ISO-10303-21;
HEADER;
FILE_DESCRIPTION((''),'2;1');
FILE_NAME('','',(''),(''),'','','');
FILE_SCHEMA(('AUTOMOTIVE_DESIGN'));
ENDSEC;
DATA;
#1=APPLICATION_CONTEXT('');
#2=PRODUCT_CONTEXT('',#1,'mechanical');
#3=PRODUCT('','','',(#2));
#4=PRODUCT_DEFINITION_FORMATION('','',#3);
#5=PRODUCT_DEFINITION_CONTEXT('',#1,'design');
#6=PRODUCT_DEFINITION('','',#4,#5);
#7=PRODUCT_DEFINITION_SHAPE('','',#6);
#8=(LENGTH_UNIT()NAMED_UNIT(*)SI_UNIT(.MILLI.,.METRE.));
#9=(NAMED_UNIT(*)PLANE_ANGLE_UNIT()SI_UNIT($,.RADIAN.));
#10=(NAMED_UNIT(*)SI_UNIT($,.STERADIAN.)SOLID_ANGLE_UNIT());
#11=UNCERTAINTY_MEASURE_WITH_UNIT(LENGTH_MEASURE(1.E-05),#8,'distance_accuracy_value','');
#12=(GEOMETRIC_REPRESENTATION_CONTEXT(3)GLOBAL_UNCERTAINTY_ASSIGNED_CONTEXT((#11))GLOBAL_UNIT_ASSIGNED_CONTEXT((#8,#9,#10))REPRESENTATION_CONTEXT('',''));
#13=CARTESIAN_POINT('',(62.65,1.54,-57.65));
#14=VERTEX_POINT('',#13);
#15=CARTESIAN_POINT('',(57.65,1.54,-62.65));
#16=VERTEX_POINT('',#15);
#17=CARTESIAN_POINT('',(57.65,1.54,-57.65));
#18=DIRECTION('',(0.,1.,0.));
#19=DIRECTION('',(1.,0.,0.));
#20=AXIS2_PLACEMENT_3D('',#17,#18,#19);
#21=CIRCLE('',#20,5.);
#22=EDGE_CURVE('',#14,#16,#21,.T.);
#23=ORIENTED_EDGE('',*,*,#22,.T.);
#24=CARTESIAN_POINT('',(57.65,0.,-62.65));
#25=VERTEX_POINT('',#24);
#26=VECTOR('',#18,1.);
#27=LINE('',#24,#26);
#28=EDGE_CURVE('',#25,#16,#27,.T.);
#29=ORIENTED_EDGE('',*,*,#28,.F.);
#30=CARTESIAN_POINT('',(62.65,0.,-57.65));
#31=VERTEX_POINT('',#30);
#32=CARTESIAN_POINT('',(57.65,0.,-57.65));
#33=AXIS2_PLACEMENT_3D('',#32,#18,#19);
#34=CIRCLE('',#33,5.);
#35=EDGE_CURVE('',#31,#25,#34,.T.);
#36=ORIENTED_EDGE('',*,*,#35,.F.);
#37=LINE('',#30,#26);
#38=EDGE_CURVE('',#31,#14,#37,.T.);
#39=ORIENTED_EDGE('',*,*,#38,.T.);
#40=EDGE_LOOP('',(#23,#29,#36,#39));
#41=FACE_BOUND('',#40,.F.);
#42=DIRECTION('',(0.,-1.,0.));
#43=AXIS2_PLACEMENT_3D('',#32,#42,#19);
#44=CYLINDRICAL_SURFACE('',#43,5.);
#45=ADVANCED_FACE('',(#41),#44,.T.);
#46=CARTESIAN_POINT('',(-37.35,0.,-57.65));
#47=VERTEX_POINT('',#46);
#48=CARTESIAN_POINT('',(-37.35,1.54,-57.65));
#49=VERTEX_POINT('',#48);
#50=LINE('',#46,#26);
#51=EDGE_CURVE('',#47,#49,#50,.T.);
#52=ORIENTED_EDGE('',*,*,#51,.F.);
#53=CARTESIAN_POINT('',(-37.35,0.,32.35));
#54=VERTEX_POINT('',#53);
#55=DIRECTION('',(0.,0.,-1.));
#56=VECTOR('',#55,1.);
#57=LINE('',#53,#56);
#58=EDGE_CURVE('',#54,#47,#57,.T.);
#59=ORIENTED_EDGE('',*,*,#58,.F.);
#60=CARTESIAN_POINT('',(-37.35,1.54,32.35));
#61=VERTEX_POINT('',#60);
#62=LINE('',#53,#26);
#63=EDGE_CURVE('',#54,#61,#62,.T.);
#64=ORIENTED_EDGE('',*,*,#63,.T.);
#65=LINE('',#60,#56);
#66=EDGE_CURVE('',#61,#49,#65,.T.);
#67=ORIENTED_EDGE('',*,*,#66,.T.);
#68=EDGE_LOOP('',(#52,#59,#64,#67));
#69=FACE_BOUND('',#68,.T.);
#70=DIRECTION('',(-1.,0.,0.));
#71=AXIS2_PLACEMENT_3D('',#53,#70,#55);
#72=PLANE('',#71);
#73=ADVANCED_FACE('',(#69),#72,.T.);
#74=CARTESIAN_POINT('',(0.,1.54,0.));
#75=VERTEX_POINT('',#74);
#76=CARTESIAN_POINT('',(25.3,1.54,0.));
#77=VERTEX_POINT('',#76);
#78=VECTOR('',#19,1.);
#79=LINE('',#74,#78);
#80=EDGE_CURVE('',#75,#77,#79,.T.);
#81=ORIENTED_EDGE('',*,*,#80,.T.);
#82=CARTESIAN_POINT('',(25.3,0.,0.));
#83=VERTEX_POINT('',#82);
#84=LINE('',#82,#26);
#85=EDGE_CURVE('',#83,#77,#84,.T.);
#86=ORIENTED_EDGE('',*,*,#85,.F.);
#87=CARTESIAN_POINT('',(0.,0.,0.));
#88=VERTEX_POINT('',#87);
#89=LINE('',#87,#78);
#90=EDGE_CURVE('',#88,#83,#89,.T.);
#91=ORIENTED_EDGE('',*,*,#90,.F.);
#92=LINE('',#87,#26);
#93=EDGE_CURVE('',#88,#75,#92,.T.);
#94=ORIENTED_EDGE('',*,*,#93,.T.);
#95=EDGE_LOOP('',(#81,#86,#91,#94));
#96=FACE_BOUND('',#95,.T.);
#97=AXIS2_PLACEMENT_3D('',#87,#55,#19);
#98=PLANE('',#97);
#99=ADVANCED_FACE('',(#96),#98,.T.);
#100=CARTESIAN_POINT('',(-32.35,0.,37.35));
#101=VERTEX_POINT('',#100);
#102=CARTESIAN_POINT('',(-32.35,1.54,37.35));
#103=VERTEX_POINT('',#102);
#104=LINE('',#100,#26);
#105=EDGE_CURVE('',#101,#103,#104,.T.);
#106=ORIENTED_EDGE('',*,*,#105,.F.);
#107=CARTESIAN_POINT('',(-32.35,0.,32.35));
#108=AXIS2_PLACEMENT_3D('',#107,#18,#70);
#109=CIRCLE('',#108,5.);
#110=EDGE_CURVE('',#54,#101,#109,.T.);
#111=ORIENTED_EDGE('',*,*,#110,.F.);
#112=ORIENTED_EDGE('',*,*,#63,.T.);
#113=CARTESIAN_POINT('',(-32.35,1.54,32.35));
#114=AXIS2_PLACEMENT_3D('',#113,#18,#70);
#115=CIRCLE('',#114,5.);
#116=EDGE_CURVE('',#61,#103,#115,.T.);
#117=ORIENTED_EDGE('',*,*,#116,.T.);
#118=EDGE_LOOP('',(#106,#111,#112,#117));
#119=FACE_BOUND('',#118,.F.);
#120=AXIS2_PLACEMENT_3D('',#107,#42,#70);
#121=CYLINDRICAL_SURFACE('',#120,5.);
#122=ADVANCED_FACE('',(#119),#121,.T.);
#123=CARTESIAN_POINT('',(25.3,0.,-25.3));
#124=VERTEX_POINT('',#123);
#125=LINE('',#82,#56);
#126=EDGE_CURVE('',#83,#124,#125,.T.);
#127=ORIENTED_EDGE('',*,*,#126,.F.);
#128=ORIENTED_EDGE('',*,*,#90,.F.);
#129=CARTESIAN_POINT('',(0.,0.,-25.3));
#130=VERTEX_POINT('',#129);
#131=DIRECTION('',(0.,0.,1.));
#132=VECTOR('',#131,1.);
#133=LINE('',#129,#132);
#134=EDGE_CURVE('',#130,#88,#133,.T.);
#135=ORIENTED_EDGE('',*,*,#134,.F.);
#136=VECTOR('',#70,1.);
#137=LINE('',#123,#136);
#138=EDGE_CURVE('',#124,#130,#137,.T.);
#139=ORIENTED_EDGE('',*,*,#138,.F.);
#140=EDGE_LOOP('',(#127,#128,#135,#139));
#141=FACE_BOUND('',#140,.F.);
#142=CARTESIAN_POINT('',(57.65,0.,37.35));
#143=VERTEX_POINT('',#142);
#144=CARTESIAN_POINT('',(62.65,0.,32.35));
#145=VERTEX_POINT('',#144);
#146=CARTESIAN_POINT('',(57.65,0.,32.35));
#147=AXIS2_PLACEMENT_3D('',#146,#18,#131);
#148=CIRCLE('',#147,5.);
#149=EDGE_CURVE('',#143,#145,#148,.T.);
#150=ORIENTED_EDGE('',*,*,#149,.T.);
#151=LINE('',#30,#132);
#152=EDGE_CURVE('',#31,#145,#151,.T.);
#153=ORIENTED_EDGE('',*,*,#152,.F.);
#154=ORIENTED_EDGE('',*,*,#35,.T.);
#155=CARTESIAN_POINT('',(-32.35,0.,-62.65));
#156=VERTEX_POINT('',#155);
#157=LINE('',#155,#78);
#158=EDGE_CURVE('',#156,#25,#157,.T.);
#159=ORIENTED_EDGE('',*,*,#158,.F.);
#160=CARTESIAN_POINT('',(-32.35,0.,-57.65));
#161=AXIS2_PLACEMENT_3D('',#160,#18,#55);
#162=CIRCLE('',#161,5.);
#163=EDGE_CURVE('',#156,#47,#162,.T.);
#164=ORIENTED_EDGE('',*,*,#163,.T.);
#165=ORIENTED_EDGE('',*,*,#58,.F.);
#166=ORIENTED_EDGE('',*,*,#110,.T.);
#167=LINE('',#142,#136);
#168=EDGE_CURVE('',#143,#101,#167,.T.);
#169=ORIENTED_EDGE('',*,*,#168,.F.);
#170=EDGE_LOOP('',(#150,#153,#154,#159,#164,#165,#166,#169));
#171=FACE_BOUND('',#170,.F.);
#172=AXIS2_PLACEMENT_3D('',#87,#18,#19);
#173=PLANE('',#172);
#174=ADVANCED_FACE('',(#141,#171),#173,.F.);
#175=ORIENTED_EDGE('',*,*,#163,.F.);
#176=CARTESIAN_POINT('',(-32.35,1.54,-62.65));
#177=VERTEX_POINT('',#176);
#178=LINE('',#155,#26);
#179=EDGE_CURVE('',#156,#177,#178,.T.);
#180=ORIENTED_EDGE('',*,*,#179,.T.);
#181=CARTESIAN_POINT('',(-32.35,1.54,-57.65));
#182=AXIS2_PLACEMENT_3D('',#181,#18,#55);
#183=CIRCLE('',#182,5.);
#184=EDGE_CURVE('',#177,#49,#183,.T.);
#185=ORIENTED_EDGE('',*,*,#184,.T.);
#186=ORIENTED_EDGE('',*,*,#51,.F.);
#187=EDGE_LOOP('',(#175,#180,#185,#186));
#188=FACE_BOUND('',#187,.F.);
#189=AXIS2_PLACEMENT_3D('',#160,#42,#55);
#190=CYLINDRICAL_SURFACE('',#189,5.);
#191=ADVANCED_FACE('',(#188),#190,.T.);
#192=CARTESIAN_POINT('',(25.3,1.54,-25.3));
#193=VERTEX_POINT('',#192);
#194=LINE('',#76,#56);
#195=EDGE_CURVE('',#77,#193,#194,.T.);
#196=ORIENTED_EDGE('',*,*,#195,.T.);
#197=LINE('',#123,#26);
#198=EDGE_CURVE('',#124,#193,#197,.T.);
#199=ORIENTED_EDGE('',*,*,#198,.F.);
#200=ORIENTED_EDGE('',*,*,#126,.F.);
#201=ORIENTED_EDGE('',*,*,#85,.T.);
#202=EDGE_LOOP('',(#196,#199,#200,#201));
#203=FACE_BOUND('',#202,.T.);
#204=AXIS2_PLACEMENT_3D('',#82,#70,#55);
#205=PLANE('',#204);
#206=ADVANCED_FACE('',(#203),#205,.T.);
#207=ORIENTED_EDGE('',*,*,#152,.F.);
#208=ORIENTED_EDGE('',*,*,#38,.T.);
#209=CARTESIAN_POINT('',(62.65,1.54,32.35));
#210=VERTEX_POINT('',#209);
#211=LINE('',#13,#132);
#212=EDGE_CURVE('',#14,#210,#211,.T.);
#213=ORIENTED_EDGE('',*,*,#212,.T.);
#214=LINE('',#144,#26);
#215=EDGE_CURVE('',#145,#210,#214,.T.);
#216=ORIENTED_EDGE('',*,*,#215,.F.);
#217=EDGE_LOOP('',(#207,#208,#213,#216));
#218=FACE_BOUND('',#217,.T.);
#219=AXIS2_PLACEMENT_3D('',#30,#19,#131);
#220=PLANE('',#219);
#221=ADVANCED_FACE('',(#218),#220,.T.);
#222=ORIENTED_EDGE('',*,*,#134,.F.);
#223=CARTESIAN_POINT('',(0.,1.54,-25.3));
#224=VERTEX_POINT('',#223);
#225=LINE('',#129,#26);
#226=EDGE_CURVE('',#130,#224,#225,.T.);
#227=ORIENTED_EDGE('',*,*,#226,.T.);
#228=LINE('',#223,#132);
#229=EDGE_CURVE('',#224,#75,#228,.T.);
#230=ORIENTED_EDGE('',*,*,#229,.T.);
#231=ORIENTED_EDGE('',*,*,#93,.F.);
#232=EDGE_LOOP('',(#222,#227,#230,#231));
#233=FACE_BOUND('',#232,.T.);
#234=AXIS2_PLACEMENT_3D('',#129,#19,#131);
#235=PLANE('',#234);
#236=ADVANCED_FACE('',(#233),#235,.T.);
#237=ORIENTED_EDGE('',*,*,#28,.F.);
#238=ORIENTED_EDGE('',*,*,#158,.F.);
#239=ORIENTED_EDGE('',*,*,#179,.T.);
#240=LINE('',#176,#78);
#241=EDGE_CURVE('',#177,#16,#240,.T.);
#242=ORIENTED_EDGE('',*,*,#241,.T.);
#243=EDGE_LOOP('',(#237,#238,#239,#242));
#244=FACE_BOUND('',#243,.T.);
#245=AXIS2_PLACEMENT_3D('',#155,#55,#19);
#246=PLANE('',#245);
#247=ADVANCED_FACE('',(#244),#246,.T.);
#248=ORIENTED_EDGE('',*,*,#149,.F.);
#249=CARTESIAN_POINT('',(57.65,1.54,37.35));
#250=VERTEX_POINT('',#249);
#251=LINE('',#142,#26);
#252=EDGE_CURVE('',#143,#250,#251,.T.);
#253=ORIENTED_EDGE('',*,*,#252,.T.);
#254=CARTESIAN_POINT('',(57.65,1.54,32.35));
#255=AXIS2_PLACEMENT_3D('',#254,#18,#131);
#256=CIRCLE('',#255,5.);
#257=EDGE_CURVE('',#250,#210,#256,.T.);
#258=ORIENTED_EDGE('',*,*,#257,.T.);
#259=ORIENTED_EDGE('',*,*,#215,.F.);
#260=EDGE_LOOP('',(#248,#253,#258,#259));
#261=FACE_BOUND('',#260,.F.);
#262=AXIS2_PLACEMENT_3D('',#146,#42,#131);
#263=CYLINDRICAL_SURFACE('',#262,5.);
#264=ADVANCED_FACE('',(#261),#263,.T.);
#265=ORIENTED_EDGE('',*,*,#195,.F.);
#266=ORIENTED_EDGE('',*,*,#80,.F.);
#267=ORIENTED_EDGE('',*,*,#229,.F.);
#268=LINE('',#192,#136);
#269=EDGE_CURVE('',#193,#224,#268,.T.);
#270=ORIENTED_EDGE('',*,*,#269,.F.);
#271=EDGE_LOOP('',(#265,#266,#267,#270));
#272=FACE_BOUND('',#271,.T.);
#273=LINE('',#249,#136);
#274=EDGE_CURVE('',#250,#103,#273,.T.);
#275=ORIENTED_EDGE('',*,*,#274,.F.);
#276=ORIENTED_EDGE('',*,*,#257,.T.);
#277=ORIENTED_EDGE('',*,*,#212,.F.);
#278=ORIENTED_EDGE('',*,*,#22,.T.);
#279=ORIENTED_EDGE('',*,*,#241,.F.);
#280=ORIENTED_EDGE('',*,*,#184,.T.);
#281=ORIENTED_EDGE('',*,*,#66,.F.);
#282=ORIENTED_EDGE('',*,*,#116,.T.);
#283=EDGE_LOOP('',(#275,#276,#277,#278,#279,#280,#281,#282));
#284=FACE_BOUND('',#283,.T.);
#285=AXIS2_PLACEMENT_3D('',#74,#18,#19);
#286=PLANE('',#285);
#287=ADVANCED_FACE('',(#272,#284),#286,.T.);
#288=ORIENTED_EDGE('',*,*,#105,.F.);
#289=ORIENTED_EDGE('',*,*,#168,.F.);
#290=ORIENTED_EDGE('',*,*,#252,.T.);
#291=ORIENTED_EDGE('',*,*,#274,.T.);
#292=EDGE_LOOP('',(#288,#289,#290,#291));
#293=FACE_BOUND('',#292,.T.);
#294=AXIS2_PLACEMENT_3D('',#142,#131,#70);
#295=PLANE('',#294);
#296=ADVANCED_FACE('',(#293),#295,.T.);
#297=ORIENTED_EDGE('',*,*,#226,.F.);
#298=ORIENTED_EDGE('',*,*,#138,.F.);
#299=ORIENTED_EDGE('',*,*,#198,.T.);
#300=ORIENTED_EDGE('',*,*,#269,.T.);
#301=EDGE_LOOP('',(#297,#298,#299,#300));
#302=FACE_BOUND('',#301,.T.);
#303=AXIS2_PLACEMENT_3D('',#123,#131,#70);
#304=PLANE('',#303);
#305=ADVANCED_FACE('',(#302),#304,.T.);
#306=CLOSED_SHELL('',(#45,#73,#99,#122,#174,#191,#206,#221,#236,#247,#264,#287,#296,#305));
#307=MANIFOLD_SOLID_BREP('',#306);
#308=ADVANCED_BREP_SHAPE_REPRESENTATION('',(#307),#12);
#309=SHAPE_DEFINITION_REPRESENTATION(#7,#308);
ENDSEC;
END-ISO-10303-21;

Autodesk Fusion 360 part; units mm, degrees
sketch "Sketch1" plane through (0, 0, 0) normal (0, 1, 0) x (1, 0, 0)
  line L0 (0, 0) -> (25.3, 0)
  line L1 (25.3, 0) -> (25.3, 25.3)
  line L2 (25.3, 25.3) -> (0, 25.3)
  line L3 (0, 25.3) -> (0, 0)
  line L4 (-32.35, 62.65) -> (57.65, 62.65)
  line L5 (62.65, 57.65) -> (62.65, -32.35)
  line L6 (57.65, -37.35) -> (-32.35, -37.35)
  line L7 (-37.35, -32.35) -> (-37.35, 57.65)
  arc A0 (-32.35, 62.65) -> (-37.35, 57.65) centre (-32.35, 57.65) ccw
  arc A1 (62.65, 57.65) -> (57.65, 62.65) centre (57.65, 57.65) ccw
  arc A2 (57.65, -37.35) -> (62.65, -32.35) centre (57.65, -32.35) ccw
  arc A3 (-37.35, -32.35) -> (-32.35, -37.35) centre (-32.35, -32.35) ccw
  point P0 (-37.35, 62.65)
  point P1 (62.65, 62.65)
  point P2 (62.65, -37.35)
  dimension "d1" = 25.3
  dimension "d2" = 25.3
  dimension "d3" = 100
  dimension "d4" = 100
  dimension "d5" = 37.35
  dimension "d6" = 37.35
  dimension "d7" = 5
  dimension "d8" = 5
extrude "Extrude1" add sketch "Sketch1" along normal blind 1.54
equation "d5 = ( ( 100 - 25.3 ) / 2 ) * 1 mm"
equation "d6 = ( ( 100 - 25.3 ) / 2 ) * 1 mm"
